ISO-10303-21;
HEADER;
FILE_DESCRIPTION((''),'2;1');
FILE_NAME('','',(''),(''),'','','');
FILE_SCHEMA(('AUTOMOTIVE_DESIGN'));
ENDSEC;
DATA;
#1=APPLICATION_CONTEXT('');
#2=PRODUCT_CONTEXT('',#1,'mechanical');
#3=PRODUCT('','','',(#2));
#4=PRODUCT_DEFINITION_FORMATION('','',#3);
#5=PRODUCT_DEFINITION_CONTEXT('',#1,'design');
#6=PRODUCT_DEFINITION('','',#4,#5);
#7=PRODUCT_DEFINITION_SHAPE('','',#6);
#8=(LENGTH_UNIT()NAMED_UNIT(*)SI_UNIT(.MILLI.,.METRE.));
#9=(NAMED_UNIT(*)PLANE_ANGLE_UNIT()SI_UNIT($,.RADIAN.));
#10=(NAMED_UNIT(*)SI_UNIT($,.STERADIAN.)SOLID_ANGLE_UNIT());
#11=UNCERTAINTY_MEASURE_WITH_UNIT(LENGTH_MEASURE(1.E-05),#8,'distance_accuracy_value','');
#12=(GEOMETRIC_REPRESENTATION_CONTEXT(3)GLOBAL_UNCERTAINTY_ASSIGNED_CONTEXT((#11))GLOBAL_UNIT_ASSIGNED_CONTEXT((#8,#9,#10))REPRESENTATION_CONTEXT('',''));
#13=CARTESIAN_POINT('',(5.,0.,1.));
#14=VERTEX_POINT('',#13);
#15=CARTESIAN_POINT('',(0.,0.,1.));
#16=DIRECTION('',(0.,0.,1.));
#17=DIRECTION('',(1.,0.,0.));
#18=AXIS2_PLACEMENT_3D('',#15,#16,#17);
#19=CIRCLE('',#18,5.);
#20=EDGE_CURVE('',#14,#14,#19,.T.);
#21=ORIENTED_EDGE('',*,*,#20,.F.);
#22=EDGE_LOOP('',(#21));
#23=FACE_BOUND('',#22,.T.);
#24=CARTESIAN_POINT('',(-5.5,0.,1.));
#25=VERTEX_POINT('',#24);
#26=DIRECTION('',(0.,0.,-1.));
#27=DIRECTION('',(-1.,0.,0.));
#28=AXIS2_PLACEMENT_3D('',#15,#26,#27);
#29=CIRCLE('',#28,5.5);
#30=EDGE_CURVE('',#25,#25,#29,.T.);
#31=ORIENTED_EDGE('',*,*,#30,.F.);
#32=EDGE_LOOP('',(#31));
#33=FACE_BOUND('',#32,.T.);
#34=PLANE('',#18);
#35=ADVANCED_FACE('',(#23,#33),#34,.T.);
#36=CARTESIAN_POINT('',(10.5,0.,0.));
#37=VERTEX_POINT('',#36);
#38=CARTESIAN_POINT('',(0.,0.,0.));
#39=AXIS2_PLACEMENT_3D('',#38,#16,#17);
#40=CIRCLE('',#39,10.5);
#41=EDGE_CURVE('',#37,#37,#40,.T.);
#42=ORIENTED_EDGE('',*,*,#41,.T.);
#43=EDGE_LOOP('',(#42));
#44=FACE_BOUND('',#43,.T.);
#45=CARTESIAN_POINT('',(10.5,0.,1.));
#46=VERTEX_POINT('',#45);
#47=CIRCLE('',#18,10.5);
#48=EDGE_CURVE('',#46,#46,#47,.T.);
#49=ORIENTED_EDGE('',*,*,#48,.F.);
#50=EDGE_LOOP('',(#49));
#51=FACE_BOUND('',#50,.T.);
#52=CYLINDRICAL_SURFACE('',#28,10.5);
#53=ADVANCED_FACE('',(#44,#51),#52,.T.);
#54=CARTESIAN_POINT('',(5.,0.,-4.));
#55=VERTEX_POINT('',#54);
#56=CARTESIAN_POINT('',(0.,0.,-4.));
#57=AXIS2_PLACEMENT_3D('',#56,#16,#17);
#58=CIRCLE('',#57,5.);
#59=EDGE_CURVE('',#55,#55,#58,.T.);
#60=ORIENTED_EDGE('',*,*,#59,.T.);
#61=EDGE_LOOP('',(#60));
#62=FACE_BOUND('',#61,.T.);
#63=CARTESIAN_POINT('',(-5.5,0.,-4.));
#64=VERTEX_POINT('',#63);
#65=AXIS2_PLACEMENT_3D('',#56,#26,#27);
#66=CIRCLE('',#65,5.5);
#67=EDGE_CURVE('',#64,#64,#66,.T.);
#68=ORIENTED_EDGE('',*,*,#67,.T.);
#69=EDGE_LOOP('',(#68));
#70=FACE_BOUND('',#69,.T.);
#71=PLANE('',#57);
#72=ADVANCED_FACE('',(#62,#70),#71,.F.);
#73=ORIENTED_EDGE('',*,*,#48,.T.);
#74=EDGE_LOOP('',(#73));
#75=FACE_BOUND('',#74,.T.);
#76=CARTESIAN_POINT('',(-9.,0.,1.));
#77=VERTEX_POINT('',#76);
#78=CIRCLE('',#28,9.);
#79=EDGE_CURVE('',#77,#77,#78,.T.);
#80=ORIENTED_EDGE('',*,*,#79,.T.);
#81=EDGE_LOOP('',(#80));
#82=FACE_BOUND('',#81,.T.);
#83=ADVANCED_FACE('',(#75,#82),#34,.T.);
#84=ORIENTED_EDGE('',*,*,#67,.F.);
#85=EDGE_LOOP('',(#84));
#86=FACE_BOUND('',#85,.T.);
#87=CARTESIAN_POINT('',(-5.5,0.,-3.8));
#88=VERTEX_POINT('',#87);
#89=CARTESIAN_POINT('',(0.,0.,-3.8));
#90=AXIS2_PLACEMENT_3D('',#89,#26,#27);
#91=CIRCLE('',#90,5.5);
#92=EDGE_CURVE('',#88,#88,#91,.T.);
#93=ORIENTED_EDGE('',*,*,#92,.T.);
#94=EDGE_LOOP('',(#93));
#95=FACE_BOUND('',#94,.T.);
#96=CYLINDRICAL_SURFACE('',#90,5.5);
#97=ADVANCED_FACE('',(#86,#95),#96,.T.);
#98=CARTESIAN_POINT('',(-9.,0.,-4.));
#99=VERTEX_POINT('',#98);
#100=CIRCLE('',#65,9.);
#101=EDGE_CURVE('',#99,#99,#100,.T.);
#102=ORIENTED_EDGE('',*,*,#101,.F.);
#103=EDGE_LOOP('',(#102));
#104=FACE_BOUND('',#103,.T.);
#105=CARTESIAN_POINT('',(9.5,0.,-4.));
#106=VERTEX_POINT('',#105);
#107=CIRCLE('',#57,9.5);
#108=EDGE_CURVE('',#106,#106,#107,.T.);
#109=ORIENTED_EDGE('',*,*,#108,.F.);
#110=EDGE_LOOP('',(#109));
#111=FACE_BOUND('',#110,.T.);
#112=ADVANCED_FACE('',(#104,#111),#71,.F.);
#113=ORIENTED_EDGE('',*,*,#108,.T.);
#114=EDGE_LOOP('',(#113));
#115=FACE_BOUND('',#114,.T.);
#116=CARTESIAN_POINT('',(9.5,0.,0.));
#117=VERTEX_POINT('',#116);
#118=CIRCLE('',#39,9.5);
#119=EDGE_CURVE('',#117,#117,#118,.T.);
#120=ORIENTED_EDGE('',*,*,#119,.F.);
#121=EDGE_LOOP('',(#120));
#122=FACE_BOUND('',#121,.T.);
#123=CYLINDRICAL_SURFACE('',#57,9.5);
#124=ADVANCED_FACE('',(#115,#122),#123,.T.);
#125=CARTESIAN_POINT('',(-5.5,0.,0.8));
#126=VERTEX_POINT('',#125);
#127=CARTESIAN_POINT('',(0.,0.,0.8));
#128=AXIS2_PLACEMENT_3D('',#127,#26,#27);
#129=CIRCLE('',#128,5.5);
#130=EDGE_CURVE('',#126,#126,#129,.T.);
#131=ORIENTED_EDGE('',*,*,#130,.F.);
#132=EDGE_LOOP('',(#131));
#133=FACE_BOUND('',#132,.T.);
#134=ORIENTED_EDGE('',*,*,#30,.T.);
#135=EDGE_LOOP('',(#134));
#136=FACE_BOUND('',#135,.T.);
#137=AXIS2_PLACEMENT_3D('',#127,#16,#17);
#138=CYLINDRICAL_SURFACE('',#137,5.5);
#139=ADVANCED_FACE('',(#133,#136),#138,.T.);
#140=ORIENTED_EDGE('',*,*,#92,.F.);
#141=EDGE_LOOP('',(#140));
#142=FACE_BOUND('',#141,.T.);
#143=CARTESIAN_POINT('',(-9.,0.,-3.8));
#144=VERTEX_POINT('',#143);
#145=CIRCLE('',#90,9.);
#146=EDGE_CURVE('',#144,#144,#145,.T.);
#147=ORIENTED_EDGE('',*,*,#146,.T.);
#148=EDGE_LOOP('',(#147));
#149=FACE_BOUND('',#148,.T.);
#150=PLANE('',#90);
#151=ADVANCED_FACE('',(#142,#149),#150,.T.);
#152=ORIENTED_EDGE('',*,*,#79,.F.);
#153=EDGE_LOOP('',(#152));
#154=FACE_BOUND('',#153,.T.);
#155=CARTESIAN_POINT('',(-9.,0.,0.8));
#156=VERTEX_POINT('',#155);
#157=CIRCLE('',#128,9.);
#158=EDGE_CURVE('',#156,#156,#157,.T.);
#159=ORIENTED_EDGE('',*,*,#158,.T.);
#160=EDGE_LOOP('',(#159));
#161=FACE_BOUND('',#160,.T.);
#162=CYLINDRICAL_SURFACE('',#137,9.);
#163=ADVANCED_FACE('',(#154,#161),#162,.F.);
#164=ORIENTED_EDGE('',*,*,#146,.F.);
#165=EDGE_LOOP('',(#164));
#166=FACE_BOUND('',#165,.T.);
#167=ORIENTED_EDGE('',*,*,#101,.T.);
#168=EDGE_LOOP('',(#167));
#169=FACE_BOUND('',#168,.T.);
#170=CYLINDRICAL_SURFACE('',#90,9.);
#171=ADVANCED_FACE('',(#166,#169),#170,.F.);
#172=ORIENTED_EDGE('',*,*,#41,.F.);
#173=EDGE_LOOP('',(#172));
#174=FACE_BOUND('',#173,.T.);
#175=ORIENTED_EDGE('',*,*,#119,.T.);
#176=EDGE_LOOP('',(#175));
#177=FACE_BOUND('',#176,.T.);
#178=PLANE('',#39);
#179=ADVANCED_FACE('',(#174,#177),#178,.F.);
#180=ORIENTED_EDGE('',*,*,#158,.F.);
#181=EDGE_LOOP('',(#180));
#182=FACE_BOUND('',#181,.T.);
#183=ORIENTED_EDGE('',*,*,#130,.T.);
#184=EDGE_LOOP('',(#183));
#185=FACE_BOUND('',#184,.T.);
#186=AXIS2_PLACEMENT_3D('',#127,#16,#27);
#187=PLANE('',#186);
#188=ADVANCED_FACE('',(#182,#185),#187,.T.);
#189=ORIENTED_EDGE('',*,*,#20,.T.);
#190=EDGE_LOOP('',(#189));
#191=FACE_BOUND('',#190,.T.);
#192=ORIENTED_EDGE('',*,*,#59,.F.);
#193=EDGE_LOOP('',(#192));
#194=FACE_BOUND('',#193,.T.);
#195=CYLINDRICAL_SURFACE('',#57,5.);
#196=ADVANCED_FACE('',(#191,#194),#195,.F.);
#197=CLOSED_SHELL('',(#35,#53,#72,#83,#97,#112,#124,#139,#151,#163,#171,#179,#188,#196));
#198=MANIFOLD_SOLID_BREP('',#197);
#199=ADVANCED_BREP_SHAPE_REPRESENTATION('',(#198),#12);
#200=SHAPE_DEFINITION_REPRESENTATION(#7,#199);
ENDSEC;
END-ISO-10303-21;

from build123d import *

# Parameters (mm, degrees)
SKETCH_1_R          = 10.5
SKETCH_1_R_2        = 9.5
EXTRUDE_1_DEPTH     = 1
EXTRUDE_START       = -5
SKETCH_2_R          = 9.5
SKETCH_2_R_2        = 5
EXTRUDE_2_DEPTH     = 5
SKETCH_3_R          = 9
SKETCH_3_R_2        = 5.5
CUT_EXTRUDE_1_DEPTH = 0.2


with BuildPart() as part:
    # 草图1 → 凸台-拉伸1 (new body)
    with BuildSketch(Plane.XY):
        Circle(SKETCH_1_R)
        Circle(SKETCH_1_R_2, mode=Mode.SUBTRACT)
    extrude(amount=EXTRUDE_1_DEPTH)

    # 草图2 → 凸台-拉伸2 (add)
    with BuildSketch(Plane.XY.offset(1).offset(EXTRUDE_START)):
        Circle(SKETCH_2_R)
        Circle(SKETCH_2_R_2, mode=Mode.SUBTRACT)
    extrude(amount=EXTRUDE_2_DEPTH)

    # 草图3 → 切除-拉伸1 (cut)
    with BuildSketch(Plane(origin=(0, 0, -4), x_dir=(-1, 0, 0), z_dir=(0, 0, -1))):
        Circle(SKETCH_3_R)
        Circle(SKETCH_3_R_2, mode=Mode.SUBTRACT)
    cut_extrude_1 = extrude(amount=-CUT_EXTRUDE_1_DEPTH, mode=Mode.SUBTRACT)

    # 镜向1: 切除-拉伸1 across plane
    add(cut_extrude_1.mirror(Plane(origin=(0, 0, -1.5), x_dir=(1, 0, 0), z_dir=(0, 0, -1))), mode=Mode.SUBTRACT)


solid = part.part
